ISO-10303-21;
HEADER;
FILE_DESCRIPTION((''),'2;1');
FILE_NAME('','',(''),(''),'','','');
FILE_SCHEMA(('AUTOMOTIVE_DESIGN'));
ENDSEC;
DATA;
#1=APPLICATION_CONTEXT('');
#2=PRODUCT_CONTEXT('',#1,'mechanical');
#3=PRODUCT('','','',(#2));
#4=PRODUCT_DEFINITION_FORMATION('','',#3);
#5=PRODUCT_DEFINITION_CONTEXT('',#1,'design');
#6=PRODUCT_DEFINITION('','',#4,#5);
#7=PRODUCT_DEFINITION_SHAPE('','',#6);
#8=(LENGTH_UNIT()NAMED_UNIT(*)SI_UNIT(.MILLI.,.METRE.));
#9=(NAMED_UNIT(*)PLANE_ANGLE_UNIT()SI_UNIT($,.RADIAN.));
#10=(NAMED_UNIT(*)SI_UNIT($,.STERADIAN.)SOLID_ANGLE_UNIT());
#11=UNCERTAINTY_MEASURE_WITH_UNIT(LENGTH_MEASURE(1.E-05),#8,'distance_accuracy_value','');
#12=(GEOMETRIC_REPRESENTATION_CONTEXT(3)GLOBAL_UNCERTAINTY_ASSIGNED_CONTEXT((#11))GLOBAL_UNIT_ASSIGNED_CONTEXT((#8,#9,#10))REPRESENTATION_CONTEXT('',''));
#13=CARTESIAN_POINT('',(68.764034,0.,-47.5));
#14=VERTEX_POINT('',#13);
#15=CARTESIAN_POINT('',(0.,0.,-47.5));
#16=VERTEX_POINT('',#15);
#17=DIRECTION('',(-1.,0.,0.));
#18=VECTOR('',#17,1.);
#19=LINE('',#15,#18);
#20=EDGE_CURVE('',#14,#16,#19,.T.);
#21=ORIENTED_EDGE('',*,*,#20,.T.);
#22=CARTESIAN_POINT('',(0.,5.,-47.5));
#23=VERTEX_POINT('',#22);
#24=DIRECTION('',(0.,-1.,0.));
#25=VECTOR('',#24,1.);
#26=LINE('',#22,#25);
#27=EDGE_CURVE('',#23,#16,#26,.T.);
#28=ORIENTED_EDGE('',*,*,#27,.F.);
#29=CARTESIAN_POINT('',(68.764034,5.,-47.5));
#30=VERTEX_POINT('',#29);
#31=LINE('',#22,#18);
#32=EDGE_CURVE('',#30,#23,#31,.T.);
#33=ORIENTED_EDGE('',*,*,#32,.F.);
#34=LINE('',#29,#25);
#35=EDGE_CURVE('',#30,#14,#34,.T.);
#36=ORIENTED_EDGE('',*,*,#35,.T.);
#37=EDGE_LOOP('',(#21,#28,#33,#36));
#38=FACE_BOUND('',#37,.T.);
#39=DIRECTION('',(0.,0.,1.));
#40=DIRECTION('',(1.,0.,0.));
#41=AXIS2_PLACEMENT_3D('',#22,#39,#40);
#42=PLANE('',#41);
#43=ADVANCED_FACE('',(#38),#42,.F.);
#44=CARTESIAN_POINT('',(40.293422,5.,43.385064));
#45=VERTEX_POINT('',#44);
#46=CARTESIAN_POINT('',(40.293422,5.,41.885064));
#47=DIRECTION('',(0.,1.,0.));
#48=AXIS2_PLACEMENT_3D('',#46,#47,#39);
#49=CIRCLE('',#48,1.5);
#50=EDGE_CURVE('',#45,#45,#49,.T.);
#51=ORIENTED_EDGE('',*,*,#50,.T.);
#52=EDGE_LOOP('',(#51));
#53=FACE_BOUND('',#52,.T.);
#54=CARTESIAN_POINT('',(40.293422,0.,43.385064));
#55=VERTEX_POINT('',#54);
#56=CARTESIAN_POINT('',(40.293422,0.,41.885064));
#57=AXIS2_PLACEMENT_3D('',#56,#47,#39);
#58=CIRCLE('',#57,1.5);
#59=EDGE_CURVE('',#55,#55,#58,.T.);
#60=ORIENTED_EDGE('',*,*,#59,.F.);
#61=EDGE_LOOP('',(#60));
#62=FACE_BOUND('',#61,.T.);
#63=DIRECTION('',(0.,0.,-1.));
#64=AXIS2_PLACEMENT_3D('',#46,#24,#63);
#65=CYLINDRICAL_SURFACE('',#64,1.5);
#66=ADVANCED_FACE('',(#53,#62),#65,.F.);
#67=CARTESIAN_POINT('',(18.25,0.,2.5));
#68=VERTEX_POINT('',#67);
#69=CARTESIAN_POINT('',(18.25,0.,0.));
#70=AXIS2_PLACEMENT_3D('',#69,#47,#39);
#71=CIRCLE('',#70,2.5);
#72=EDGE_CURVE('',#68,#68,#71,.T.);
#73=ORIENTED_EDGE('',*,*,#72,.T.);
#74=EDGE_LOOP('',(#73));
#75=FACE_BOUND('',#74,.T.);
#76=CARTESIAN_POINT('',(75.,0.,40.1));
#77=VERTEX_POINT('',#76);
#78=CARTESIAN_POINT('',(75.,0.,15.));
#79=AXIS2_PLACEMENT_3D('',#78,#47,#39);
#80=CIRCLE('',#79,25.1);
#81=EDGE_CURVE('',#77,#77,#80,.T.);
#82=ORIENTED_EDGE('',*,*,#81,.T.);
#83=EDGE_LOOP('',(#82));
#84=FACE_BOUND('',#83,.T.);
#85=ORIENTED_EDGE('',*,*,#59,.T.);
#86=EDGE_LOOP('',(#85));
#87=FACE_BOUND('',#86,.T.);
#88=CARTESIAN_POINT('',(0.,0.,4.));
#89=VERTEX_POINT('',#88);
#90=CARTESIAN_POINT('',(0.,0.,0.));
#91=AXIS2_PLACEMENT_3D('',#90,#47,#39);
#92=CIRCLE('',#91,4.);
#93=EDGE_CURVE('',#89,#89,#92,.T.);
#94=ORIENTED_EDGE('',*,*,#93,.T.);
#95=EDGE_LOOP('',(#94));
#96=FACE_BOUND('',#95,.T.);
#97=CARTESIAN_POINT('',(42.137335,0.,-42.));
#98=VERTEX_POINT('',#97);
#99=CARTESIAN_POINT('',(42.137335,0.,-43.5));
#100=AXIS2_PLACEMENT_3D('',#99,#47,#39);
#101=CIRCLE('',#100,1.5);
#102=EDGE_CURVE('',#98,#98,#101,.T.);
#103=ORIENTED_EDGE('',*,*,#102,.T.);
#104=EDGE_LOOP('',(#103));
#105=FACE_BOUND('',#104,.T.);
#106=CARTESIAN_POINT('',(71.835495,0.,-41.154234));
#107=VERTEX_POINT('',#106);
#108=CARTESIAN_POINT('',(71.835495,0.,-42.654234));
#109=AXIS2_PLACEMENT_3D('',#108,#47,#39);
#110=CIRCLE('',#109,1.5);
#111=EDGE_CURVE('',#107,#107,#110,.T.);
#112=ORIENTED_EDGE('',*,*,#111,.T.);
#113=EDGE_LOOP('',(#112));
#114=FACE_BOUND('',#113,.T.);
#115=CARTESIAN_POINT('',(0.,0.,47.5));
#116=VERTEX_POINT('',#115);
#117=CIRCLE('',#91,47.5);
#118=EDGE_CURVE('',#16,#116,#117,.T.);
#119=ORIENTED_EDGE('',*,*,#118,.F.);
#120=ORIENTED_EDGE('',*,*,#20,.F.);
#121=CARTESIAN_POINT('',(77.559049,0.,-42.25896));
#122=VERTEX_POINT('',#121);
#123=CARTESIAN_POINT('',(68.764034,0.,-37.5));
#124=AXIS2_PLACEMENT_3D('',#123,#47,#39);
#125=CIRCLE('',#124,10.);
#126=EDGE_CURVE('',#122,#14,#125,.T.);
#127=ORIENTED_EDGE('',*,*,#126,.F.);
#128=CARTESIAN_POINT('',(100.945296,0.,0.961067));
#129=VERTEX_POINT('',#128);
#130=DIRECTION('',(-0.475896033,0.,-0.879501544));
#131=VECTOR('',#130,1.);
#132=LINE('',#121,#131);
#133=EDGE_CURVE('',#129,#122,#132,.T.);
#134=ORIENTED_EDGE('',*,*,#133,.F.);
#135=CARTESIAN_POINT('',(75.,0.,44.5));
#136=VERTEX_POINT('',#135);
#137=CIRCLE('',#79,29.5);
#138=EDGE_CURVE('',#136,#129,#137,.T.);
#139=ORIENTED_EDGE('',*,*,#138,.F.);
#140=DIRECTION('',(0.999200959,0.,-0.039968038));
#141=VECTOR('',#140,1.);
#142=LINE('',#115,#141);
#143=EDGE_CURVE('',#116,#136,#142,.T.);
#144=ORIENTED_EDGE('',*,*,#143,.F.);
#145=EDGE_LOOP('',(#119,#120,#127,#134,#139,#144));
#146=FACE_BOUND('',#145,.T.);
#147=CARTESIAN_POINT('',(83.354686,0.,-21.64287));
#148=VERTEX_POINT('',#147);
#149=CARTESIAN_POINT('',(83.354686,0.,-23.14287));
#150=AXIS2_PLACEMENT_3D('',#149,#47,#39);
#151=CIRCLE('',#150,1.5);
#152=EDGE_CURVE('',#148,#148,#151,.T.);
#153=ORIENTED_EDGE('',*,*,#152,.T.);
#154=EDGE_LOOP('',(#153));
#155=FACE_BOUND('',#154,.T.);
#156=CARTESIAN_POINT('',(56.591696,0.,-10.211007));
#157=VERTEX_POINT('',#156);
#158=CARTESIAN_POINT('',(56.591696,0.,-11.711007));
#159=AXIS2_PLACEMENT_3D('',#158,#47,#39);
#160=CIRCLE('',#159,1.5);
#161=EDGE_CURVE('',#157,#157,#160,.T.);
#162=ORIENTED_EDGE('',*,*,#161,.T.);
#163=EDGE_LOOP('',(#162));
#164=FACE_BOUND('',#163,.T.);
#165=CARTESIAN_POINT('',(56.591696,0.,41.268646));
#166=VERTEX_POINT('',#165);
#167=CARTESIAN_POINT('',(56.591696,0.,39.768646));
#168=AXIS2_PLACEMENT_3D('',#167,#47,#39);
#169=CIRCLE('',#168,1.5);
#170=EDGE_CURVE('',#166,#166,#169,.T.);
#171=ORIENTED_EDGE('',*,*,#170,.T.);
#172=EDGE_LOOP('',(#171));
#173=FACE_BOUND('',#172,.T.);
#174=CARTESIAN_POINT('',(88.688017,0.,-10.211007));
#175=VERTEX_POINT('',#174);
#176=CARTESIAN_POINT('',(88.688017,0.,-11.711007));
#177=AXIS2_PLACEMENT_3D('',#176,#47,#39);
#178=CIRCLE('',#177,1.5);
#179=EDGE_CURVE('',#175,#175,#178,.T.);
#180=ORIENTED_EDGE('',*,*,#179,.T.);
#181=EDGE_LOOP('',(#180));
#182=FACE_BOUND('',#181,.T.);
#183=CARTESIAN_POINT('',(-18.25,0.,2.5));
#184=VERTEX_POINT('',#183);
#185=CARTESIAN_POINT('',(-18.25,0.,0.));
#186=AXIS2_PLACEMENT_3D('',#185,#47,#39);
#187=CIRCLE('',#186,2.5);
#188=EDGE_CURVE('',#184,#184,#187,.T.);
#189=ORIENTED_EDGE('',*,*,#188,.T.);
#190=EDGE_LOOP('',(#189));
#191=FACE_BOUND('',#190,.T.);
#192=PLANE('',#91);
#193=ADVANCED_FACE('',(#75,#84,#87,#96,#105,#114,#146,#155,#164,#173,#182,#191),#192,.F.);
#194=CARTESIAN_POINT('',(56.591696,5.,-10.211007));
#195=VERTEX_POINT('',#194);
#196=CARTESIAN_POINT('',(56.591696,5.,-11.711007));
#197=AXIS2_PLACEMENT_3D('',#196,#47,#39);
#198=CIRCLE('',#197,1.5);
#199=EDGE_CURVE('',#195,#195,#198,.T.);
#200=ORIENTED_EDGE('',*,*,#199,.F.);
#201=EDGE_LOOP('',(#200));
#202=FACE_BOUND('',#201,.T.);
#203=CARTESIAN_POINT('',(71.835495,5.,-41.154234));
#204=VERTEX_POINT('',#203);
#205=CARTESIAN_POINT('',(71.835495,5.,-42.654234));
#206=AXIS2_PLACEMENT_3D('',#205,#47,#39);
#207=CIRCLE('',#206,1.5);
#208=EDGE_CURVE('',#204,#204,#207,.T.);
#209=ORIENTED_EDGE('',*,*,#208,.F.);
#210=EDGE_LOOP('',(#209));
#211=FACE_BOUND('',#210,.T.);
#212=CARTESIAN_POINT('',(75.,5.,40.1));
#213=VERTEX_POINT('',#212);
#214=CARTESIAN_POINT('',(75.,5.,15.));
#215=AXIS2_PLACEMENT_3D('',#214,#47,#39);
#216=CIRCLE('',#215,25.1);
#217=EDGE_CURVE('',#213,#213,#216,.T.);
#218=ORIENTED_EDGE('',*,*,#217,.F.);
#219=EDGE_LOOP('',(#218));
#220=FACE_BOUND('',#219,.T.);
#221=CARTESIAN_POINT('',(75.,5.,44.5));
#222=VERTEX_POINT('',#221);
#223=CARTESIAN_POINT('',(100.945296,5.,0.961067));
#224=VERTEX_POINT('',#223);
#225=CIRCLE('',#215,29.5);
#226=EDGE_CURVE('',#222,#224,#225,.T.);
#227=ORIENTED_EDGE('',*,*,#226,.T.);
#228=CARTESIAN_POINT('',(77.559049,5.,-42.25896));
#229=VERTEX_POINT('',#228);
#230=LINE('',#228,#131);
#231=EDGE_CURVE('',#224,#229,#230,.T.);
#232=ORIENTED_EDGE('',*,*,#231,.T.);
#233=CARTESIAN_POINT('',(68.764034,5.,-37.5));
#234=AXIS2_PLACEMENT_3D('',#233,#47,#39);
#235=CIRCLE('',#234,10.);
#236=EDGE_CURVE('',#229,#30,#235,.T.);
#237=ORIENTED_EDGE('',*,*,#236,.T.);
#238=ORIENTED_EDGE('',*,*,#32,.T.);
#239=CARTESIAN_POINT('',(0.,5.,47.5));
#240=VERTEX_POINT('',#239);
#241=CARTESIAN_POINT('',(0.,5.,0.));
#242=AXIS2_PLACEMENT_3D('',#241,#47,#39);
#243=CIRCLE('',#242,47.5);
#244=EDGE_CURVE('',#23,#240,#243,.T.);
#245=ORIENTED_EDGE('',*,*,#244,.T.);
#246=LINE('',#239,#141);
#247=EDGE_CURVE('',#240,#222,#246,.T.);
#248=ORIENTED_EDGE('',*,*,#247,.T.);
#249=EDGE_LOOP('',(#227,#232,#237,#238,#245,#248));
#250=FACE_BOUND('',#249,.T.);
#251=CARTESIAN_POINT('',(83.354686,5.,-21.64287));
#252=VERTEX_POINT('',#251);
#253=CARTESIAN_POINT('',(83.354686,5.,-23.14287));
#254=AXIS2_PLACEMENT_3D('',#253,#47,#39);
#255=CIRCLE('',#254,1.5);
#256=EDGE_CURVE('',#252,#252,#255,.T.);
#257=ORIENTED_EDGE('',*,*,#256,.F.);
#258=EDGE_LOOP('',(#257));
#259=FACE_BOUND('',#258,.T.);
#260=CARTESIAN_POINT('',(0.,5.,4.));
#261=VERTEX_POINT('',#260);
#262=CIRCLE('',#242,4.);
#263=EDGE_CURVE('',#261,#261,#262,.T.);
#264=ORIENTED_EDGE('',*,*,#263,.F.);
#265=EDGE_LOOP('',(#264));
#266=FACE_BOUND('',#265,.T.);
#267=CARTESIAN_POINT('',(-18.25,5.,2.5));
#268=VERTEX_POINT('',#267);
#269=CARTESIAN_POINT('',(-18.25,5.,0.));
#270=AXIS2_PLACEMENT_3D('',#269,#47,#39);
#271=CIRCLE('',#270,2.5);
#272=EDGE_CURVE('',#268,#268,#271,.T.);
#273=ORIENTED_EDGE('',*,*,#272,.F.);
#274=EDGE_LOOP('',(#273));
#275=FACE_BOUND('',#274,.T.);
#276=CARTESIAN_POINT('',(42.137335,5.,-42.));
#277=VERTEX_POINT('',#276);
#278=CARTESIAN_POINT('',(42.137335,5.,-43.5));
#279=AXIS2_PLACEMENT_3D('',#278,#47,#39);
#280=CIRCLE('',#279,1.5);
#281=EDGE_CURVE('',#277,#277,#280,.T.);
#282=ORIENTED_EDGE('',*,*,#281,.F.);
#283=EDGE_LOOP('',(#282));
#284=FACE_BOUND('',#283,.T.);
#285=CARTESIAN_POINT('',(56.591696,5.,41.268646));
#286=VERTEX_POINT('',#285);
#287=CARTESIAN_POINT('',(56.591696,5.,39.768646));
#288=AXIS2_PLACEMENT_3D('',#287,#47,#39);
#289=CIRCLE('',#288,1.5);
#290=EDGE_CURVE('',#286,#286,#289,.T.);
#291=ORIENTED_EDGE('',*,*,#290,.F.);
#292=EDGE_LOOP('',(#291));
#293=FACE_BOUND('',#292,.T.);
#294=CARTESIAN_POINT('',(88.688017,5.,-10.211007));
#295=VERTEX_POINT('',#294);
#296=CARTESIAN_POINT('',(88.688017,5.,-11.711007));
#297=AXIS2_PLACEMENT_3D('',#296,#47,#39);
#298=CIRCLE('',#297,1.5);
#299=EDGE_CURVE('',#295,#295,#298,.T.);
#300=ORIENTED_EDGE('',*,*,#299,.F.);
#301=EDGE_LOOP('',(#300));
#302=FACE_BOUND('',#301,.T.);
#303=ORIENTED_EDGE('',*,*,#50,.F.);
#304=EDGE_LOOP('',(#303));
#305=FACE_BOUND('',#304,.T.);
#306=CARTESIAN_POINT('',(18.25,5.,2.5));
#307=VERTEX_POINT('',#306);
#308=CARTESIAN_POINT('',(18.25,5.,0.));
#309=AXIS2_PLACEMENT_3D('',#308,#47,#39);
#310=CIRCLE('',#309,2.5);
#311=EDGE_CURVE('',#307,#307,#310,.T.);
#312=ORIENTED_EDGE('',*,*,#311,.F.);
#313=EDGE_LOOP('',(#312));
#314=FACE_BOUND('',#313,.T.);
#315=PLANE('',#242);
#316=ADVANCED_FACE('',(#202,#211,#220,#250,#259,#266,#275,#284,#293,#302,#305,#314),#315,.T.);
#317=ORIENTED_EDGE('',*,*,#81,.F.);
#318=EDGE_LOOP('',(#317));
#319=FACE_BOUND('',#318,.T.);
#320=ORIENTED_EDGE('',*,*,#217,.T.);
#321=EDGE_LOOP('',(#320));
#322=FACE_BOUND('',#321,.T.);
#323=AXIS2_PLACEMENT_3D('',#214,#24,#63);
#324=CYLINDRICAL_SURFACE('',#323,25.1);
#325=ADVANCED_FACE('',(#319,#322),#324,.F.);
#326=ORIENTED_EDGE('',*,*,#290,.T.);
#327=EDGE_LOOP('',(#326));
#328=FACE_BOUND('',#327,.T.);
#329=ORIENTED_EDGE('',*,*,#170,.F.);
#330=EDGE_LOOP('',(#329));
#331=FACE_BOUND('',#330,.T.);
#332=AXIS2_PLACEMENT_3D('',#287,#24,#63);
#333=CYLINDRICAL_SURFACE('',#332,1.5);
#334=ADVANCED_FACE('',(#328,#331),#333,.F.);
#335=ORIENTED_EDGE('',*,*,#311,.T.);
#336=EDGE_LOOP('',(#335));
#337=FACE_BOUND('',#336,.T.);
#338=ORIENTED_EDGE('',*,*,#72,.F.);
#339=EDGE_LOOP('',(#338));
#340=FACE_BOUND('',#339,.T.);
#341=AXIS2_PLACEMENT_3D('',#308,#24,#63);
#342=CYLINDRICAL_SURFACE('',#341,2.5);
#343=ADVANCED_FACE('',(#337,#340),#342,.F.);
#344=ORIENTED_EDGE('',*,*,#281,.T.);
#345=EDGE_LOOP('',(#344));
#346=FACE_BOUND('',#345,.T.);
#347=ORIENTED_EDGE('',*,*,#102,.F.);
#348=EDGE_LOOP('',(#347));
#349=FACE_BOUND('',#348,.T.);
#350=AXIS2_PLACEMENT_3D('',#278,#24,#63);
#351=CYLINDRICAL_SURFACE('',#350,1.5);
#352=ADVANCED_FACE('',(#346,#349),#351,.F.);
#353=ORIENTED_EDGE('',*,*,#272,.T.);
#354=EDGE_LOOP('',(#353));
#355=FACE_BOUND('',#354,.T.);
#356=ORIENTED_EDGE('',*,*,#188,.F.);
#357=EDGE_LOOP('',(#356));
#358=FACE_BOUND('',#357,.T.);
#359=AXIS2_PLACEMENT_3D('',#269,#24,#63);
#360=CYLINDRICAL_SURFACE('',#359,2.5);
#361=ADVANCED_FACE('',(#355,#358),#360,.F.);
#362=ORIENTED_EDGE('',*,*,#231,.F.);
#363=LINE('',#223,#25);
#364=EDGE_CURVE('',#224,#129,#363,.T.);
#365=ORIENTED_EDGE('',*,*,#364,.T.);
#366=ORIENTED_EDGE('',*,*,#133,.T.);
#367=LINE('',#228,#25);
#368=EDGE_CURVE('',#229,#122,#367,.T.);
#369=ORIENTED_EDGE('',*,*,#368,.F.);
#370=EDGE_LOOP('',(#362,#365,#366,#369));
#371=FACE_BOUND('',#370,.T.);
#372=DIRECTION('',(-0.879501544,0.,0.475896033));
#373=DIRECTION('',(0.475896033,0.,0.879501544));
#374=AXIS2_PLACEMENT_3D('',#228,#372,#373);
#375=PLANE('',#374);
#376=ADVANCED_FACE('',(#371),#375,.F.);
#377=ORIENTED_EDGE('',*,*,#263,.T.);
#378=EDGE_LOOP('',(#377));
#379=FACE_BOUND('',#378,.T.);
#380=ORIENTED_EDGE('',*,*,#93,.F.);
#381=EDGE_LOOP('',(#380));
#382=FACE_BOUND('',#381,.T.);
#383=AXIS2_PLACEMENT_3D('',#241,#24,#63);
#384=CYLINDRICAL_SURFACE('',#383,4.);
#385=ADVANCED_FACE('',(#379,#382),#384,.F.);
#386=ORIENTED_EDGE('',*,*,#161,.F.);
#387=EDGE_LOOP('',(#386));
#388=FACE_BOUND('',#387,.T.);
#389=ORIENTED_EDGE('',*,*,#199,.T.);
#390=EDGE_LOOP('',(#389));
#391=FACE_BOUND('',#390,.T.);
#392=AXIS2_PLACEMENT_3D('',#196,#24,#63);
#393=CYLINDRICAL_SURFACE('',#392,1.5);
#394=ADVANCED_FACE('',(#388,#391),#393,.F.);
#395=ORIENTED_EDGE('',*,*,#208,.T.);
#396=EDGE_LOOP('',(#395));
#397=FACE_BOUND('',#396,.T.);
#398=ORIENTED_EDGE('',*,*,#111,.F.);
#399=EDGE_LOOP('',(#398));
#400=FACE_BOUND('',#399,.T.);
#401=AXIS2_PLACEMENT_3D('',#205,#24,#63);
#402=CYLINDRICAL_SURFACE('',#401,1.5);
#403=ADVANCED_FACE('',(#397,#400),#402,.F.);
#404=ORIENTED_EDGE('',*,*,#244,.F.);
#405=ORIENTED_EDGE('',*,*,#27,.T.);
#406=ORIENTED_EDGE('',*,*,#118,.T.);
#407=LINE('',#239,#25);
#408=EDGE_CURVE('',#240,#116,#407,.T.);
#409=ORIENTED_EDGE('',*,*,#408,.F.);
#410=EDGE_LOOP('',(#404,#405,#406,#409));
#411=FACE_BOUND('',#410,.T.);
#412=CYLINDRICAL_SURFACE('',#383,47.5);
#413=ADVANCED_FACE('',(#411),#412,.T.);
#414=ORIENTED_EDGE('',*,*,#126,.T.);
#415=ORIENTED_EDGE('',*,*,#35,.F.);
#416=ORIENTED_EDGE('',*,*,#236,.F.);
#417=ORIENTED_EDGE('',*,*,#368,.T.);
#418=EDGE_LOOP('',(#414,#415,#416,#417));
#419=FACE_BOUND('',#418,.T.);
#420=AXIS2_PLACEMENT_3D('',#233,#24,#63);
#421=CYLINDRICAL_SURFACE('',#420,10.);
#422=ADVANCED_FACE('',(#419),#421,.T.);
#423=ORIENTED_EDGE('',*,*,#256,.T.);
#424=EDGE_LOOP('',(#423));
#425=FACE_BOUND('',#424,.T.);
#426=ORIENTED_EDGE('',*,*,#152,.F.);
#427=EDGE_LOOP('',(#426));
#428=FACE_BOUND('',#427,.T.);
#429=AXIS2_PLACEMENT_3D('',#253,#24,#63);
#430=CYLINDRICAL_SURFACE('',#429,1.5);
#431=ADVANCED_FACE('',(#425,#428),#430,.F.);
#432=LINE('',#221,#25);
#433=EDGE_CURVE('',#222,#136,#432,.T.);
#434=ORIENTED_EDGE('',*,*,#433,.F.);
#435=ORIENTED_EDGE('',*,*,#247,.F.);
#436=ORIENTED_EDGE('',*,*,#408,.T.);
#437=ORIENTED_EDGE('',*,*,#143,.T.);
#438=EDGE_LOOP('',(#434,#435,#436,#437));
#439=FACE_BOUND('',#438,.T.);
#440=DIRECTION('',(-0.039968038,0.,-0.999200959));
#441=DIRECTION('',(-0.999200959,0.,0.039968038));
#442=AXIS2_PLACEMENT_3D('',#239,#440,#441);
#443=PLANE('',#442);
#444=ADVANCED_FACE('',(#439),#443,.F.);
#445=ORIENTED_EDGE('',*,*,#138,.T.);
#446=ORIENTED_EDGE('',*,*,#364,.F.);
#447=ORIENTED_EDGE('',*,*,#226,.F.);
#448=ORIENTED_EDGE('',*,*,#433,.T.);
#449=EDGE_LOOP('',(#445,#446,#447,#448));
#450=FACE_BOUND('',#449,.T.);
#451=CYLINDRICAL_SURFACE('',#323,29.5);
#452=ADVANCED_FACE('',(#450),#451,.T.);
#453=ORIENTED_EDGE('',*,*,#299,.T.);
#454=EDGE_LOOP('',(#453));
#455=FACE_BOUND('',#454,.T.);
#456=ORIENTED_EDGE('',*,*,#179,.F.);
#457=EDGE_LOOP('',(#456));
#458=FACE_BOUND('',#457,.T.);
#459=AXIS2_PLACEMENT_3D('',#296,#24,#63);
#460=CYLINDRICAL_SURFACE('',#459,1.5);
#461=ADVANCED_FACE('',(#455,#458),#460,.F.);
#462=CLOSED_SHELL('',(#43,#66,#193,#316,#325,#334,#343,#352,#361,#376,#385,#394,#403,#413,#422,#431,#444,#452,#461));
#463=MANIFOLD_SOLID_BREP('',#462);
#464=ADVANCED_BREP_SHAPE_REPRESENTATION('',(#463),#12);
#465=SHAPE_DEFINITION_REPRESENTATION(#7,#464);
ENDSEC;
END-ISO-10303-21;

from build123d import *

# Parameters (mm, degrees)
SKETCH1_R           = 25.1
SKETCH1_R_2         = 4
SKETCH1_R_3         = 1.5
SKETCH1_R_4         = 2.5
BOSS_EXTRUDE1_DEPTH = 5


with BuildPart() as part:
    # Sketch1 → Boss-Extrude1 (new body)
    with BuildSketch(Plane(origin=(0, 0, 0), x_dir=(1, 0, 0), z_dir=(0, 1, 0))):
        with BuildLine():
            Line((0, -47.5), (75, -44.5))
            ThreePointArc((75, -44.5), (100.341650726, -30.101348895), (100.945295539, -0.961067014))
            Line((100.945295539, -0.961067014), (77.559049402, 42.258960334))
            ThreePointArc((77.559049402, 42.258960334), (73.883135286, 46.090390077), (68.764033965, 47.5))
            Line((68.764033965, 47.5), (0, 47.5))
            ThreePointArc((0, 47.5), (-47.5, 0), (0, -47.5))
        make_face()
        with Locations(Location((75, -15, 0), (0, 0, 270))):
            Circle(SKETCH1_R, mode=Mode.SUBTRACT)
        with Locations(Location((0, 0, 0), (0, 0, 270))):
            Circle(SKETCH1_R_2, mode=Mode.SUBTRACT)
        with Locations(Location((88.688017257, 11.71100727, 0), (0, 0, 270))):
            Circle(SKETCH1_R_3, mode=Mode.SUBTRACT)
        with Locations(Location((56.591696316, 11.71100727, 0), (0, 0, 270))):
            Circle(SKETCH1_R_3, mode=Mode.SUBTRACT)
        with Locations(Location((56.591696316, -39.768646015, 0), (0, 0, 270))):
            Circle(SKETCH1_R_3, mode=Mode.SUBTRACT)
        with Locations(Location((18.25, 0, 0), (0, 0, 270))):
            Circle(SKETCH1_R_4, mode=Mode.SUBTRACT)
        with Locations(Location((-18.25, 0, 0), (0, 0, 270))):
            Circle(SKETCH1_R_4, mode=Mode.SUBTRACT)
        with Locations(Location((71.835494757, 42.654234046, 0), (0, 0, 270))):
            Circle(SKETCH1_R_3, mode=Mode.SUBTRACT)
        with Locations(Location((42.137334928, 43.5, 0), (0, 0, 270))):
            Circle(SKETCH1_R_3, mode=Mode.SUBTRACT)
        with Locations(Location((83.354686129, 23.142870245, 0), (0, 0, 270))):
            Circle(SKETCH1_R_3, mode=Mode.SUBTRACT)
        with Locations(Location((40.293422434, -41.885064382, 0), (0, 0, 270))):
            Circle(SKETCH1_R_3, mode=Mode.SUBTRACT)
    extrude(amount=BOSS_EXTRUDE1_DEPTH)


solid = part.part
